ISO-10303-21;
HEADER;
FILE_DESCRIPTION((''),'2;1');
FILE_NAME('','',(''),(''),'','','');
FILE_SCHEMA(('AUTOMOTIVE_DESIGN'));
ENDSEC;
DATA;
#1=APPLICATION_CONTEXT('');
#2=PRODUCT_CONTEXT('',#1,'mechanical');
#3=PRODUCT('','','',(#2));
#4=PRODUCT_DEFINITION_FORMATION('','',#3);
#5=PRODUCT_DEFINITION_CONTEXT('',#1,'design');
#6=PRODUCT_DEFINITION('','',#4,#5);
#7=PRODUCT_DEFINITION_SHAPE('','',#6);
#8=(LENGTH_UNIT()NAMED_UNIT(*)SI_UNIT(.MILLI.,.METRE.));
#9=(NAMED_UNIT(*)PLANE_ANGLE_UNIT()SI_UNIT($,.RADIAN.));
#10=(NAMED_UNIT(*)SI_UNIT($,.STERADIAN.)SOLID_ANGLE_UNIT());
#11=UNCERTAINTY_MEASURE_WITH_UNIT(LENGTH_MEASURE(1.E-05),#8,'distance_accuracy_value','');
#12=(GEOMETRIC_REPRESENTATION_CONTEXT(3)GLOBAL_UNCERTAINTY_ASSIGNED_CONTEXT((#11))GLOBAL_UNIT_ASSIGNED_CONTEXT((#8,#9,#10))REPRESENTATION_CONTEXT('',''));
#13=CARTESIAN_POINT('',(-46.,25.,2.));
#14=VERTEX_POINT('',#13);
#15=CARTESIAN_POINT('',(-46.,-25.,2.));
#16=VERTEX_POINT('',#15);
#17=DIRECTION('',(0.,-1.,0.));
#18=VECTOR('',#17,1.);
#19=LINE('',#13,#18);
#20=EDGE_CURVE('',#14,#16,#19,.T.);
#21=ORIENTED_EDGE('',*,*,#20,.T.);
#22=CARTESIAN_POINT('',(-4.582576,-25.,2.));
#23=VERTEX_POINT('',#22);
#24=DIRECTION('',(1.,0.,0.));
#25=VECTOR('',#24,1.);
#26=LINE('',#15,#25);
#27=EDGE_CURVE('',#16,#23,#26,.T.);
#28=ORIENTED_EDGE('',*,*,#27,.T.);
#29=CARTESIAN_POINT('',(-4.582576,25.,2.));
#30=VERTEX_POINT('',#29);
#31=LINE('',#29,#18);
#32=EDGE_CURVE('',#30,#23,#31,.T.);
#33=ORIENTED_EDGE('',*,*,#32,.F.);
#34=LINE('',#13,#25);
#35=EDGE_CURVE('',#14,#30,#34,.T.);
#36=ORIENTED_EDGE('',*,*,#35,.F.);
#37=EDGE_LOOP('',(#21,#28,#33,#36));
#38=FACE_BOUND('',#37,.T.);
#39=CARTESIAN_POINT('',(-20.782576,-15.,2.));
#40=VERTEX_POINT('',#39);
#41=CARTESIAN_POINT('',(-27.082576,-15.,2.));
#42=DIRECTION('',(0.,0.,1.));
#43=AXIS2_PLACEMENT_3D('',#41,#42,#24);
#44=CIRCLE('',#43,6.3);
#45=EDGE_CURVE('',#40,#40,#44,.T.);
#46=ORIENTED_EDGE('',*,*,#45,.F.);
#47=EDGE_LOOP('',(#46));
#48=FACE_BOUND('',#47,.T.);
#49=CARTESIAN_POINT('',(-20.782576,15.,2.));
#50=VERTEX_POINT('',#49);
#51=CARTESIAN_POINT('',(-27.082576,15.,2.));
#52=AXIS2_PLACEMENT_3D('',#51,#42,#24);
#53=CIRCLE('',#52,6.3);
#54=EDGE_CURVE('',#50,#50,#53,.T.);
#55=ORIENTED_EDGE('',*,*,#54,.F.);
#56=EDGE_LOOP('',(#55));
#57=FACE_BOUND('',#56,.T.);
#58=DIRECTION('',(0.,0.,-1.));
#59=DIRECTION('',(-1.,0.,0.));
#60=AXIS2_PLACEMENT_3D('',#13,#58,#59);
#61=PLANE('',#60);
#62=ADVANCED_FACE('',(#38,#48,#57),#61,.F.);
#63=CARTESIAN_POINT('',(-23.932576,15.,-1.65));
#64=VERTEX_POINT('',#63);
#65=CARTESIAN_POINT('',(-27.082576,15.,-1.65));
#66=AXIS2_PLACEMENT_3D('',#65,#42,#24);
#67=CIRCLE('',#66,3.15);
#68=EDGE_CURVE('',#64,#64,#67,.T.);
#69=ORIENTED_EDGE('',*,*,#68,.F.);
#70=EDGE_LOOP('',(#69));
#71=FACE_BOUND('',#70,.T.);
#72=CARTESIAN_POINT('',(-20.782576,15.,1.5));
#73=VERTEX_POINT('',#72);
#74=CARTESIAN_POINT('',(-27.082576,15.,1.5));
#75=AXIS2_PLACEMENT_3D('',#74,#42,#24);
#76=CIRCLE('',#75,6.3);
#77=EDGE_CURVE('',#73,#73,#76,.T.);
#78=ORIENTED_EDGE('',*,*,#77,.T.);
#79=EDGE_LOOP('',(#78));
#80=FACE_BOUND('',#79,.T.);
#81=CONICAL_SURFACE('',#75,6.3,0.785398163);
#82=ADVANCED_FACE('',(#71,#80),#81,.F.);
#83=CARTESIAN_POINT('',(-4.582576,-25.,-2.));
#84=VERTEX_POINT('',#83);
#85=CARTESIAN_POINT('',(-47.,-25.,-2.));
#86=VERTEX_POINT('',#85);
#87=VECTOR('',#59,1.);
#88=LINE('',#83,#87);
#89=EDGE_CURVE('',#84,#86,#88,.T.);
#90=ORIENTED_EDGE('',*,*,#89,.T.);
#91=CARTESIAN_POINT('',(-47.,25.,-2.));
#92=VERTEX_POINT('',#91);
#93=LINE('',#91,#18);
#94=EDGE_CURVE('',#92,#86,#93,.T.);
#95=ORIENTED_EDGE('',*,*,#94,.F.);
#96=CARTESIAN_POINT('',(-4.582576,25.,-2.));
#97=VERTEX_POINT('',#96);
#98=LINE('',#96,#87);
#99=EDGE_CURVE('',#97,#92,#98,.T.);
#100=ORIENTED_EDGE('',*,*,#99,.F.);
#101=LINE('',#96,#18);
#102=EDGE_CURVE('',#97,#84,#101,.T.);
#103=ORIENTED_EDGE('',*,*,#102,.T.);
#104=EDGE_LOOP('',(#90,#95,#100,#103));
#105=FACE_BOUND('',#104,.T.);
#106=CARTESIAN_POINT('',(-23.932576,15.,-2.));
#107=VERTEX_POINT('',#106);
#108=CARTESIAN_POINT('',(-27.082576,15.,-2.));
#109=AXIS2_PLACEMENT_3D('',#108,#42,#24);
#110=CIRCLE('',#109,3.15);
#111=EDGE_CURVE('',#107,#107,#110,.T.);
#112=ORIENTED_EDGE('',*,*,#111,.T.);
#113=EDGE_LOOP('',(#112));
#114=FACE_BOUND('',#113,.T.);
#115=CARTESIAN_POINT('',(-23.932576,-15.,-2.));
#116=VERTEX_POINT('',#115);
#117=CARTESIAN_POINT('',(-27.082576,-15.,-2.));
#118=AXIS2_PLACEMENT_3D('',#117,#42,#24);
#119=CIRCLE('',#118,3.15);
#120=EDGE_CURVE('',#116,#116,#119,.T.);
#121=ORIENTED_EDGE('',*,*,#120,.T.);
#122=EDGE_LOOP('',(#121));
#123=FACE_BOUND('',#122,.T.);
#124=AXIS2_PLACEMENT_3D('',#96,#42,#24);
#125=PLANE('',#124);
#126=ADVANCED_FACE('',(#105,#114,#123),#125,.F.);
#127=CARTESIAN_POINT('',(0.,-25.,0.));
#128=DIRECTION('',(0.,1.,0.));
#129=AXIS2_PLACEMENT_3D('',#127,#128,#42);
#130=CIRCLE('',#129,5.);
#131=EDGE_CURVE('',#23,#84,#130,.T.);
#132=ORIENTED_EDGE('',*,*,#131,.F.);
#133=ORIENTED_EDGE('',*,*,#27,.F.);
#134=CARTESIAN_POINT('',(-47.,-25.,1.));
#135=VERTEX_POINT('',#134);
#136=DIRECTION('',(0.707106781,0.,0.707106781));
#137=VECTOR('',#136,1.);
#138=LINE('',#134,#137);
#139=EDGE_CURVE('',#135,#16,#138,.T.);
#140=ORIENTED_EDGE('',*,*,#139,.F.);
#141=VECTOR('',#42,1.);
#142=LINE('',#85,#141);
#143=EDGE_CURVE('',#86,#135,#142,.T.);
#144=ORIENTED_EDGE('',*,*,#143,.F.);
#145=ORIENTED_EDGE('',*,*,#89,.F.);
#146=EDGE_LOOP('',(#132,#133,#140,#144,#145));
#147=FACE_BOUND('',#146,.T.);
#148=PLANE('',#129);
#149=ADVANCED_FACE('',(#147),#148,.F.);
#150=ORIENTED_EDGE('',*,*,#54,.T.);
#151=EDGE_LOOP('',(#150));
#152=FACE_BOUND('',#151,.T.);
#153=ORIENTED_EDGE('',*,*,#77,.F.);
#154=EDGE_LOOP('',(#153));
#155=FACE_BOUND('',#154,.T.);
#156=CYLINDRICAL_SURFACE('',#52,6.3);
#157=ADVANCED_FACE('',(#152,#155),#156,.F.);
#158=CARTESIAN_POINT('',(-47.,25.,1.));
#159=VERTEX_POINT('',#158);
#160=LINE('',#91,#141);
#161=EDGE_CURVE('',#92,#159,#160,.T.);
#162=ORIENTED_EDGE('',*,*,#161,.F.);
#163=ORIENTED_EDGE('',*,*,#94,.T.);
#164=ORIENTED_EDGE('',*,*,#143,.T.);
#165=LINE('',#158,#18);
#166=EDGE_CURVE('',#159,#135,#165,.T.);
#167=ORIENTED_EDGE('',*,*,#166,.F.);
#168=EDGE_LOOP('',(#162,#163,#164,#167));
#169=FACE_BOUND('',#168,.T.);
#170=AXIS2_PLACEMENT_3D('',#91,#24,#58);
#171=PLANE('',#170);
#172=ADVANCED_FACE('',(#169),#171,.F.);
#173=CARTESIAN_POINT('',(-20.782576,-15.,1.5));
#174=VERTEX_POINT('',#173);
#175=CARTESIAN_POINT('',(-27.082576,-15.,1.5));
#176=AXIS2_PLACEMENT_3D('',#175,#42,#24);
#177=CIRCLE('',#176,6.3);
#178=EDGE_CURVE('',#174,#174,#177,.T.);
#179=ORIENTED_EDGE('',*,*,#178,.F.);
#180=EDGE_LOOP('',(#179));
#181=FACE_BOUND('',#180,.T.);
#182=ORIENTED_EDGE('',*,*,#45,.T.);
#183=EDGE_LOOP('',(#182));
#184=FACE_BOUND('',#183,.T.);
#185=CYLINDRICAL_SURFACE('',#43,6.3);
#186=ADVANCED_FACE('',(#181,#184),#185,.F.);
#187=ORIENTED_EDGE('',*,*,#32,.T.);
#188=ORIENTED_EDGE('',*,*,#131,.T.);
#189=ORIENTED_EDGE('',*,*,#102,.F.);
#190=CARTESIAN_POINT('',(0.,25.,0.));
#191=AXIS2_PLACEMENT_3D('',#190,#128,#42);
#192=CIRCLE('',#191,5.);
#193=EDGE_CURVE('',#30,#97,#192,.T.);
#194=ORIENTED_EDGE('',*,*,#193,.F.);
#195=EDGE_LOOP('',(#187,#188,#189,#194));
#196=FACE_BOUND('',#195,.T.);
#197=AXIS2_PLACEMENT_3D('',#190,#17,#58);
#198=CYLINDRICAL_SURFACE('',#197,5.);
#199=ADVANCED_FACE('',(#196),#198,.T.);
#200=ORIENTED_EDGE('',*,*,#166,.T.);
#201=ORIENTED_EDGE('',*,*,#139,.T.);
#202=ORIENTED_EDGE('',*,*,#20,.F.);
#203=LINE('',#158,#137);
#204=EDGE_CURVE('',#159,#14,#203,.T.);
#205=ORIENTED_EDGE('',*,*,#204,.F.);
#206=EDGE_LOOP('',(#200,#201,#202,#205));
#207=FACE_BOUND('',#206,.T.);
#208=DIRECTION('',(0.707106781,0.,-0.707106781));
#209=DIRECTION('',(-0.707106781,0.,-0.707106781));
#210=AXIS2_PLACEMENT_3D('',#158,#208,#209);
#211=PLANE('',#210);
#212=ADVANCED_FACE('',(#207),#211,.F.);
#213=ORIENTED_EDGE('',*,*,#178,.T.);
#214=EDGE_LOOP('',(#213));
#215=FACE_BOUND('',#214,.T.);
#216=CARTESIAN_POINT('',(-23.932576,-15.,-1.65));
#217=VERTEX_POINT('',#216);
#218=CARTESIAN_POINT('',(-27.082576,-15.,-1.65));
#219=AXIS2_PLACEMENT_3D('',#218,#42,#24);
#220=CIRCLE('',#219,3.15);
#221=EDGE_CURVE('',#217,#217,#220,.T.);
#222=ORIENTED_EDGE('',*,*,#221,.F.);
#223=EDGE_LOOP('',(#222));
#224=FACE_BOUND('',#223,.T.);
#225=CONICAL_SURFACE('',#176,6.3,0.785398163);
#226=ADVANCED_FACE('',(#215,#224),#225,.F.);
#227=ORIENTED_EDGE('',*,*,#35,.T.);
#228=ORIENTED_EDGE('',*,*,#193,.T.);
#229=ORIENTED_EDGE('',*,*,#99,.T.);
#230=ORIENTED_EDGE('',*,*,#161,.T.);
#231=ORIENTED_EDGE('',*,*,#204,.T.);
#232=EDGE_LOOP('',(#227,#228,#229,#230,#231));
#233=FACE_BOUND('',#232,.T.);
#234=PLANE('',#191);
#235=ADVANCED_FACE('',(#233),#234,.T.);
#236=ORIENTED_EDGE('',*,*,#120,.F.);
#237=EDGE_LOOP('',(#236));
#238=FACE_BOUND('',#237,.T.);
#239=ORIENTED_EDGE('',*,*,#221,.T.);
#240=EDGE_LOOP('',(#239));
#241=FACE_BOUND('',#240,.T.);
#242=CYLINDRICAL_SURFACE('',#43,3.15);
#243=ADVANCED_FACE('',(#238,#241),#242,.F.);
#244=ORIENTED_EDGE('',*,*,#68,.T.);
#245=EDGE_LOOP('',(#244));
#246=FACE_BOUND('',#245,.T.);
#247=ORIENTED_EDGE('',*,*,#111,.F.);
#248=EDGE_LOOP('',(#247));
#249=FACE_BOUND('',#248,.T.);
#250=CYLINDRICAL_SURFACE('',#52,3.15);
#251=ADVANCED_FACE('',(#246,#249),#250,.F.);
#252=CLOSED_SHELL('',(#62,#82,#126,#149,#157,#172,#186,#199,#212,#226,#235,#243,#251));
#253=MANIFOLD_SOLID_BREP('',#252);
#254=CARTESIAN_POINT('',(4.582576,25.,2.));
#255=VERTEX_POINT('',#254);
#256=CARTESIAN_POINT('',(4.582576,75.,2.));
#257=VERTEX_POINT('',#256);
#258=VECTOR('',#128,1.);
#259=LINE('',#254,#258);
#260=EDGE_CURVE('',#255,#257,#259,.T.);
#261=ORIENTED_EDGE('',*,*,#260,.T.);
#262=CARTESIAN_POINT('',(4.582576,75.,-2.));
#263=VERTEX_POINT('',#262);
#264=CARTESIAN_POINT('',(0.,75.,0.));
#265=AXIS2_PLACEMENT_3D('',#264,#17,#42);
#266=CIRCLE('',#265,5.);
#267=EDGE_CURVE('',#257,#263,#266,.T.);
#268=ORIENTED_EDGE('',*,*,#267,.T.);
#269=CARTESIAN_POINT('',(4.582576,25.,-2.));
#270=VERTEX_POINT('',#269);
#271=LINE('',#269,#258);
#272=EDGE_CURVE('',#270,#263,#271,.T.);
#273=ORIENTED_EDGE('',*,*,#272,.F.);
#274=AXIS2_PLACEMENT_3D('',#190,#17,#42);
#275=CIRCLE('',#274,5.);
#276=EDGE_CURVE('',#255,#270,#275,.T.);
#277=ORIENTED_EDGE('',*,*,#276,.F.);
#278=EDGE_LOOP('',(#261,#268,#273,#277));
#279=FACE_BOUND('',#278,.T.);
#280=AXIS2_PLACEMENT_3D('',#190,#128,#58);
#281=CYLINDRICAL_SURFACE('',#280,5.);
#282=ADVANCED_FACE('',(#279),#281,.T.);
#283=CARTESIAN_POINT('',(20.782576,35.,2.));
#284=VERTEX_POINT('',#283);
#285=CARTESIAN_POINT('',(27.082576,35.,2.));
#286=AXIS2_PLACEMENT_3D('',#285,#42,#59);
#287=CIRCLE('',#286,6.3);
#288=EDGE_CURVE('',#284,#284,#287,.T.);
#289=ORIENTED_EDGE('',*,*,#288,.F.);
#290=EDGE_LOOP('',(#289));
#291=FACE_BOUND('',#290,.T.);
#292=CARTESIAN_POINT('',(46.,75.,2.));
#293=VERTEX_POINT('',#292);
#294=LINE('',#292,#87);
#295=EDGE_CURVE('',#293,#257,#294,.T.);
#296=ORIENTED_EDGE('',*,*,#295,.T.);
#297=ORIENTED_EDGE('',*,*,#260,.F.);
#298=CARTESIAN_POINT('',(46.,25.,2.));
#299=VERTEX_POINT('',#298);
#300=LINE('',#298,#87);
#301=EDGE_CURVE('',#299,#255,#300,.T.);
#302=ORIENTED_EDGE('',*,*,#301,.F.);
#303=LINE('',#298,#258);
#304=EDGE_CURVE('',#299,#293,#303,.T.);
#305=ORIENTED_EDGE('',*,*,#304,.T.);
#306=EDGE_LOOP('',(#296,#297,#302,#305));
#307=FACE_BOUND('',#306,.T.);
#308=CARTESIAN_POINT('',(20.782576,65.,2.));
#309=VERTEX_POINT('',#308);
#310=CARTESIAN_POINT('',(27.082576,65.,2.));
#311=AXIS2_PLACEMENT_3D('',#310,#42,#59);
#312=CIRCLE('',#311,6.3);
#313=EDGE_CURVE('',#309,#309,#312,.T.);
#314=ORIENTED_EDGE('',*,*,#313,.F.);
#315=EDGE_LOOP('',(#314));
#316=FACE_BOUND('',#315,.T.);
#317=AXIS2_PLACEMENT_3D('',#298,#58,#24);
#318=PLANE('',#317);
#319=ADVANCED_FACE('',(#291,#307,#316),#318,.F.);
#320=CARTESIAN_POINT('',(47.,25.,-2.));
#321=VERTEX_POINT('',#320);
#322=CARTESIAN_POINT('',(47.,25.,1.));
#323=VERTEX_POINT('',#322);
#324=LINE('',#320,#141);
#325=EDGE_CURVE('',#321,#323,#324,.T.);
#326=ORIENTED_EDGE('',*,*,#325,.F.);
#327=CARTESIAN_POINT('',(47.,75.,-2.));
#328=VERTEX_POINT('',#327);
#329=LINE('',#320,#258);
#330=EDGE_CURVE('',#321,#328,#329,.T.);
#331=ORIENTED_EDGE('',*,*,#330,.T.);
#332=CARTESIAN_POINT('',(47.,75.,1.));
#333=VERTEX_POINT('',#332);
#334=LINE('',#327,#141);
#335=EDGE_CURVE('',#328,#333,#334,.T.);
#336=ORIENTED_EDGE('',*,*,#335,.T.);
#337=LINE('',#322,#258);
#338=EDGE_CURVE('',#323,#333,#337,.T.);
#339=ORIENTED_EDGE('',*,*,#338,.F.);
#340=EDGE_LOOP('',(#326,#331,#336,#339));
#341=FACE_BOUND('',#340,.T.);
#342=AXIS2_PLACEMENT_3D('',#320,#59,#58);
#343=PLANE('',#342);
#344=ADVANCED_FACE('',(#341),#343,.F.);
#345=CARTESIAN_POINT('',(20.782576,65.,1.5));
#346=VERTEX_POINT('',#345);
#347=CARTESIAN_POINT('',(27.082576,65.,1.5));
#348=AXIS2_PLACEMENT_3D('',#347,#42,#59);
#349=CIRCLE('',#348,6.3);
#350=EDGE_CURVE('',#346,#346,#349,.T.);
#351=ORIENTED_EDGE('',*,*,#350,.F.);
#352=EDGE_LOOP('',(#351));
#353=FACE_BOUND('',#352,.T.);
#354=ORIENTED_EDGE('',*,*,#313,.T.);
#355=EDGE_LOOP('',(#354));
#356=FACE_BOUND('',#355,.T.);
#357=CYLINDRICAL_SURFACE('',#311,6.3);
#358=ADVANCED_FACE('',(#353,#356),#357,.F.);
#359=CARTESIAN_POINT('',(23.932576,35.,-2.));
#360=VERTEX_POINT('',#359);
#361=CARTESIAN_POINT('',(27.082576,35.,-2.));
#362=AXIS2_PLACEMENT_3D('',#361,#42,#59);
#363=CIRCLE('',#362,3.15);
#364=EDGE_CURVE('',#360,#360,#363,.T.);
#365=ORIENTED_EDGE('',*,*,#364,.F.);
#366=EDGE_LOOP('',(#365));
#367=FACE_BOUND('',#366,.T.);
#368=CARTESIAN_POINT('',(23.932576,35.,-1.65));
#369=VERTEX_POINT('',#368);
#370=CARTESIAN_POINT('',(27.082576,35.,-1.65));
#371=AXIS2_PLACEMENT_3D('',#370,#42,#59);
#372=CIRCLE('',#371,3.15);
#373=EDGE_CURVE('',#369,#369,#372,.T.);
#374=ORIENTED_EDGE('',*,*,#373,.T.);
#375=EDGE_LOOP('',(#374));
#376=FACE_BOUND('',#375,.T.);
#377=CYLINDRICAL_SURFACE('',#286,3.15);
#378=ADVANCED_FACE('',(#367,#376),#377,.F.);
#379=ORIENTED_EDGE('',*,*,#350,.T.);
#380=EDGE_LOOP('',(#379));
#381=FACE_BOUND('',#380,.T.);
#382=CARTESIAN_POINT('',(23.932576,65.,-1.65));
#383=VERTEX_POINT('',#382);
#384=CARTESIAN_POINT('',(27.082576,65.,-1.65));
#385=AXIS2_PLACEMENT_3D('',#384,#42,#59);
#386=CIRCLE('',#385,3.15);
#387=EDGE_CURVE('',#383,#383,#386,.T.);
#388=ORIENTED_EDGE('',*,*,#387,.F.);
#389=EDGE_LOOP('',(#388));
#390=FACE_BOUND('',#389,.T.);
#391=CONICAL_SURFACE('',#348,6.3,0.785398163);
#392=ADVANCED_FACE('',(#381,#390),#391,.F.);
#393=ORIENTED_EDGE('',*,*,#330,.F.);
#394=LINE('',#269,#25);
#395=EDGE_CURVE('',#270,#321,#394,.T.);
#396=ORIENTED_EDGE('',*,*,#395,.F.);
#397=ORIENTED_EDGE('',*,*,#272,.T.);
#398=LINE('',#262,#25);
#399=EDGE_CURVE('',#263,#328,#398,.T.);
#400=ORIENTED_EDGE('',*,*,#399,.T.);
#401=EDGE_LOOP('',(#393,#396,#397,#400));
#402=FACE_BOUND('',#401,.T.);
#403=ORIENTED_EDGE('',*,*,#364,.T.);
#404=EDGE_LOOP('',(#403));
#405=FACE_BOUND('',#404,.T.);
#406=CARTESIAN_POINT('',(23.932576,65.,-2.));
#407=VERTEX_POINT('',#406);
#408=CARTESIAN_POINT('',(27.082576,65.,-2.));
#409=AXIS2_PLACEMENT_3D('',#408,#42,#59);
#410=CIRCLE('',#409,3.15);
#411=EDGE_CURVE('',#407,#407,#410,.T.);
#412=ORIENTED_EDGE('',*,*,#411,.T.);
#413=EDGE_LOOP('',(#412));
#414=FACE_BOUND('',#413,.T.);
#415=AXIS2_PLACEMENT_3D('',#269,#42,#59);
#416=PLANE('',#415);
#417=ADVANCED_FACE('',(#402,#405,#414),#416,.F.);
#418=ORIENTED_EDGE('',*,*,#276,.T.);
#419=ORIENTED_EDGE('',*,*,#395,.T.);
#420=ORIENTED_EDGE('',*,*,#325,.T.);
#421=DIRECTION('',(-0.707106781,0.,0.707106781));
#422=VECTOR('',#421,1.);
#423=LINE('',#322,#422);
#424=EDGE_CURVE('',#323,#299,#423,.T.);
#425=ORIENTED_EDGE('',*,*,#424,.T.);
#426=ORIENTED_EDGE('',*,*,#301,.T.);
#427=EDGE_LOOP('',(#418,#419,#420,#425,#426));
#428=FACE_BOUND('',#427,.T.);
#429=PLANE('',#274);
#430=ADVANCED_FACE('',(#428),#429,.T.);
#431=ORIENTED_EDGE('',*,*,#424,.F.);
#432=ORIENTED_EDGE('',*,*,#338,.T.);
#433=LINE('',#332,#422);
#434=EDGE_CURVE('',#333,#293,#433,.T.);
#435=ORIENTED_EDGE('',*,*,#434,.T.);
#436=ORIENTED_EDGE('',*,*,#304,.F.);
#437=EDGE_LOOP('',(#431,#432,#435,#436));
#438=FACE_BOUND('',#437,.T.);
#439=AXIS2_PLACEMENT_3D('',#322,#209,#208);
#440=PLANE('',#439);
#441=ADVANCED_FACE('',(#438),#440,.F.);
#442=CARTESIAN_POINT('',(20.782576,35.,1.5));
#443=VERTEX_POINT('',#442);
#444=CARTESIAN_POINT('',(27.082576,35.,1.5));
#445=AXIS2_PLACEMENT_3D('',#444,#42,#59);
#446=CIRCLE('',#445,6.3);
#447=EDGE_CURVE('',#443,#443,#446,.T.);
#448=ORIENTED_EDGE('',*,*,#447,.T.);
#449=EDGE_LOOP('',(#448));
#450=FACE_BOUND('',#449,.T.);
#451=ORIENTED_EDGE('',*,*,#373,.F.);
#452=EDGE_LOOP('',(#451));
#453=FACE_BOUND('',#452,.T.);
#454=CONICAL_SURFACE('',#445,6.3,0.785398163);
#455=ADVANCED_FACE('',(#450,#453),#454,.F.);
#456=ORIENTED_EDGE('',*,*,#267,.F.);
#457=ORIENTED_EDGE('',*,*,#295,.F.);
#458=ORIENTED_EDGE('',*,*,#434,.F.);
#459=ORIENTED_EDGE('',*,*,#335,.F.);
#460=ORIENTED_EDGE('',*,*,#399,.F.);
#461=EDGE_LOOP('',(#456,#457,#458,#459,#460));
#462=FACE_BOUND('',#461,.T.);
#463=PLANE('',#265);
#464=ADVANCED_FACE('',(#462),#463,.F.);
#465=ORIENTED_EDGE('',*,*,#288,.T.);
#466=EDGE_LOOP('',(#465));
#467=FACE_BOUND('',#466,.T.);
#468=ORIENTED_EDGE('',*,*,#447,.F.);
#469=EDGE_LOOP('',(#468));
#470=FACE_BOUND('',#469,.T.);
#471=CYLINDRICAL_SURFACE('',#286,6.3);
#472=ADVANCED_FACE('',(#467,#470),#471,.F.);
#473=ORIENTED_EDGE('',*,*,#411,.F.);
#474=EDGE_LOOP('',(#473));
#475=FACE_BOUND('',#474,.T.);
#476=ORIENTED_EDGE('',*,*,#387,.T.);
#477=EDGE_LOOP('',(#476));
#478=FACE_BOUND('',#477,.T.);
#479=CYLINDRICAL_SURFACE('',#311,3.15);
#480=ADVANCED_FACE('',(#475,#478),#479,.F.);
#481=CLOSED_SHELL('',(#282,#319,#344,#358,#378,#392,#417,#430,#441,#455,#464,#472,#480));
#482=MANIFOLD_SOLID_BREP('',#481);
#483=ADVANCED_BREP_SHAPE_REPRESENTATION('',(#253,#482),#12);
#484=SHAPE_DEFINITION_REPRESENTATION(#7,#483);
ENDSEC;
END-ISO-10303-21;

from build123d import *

# Parameters (mm, degrees)
EXTRUDE_1_DEPTH            = 25
HOLE_WIZARD_M61_AT_2_COUNT = 2
HOLE_WIZARD_M61_AT_2_PITCH = 30
PATTERN_CIRCULAR_1_COUNT   = 2


with BuildPart() as part:
    # Эскиз1 → Бобышка-Вытянуть1 (new body, symmetric)
    with BuildSketch(Plane(origin=(0, 0, 0), x_dir=(1, 0, 0), z_dir=(0, 1, 0))):
        with BuildLine():
            Line((-4.582575695, 2), (-47, 2))
            Line((-47, 2), (-47, -1))
            Line((-47, -1), (-46, -2))
            Line((-46, -2), (-4.582575695, -2))
            ThreePointArc((-4.582575695, -2), (5, 0), (-4.582575695, 2))
        make_face()
    extrude(amount=EXTRUDE_1_DEPTH, both=True)

    # Эскиз6 → Зенковка для винта с полупотайной головкой M61 (revolve, cut)
    with BuildSketch(Plane(origin=(-27.082575695, 15, 2), x_dir=(0, -1, 0), z_dir=(1, 0, 0))):
        Polygon((0, 0), (0, 7), (3.15, 7), (3.15, 3.65), (6.3, 0.5), (6.3, 0), align=None)
    hole_wizard_m61 = revolve(axis=Axis((-27.082575695, 15, 8.35), (0, 0, -1)), mode=Mode.SUBTRACT)

    # Зенковка для винта с полупотайной головкой M61 at 2: Зенковка для винта с полупотайной головкой M61 ×2
    with Locations(*[(0, -i * HOLE_WIZARD_M61_AT_2_PITCH, 0) for i in range(1, HOLE_WIZARD_M61_AT_2_COUNT)]):
        add(hole_wizard_m61, mode=Mode.SUBTRACT)


with BuildPart() as pattern_circular_1_1:
    # Круговой массив1: pattern copy
    add(part.part.rotate(Axis((0, 25, 0), (0, 0, 1)), 1 * 360 / PATTERN_CIRCULAR_1_COUNT))


solid = Compound([part.part, pattern_circular_1_1.part])
